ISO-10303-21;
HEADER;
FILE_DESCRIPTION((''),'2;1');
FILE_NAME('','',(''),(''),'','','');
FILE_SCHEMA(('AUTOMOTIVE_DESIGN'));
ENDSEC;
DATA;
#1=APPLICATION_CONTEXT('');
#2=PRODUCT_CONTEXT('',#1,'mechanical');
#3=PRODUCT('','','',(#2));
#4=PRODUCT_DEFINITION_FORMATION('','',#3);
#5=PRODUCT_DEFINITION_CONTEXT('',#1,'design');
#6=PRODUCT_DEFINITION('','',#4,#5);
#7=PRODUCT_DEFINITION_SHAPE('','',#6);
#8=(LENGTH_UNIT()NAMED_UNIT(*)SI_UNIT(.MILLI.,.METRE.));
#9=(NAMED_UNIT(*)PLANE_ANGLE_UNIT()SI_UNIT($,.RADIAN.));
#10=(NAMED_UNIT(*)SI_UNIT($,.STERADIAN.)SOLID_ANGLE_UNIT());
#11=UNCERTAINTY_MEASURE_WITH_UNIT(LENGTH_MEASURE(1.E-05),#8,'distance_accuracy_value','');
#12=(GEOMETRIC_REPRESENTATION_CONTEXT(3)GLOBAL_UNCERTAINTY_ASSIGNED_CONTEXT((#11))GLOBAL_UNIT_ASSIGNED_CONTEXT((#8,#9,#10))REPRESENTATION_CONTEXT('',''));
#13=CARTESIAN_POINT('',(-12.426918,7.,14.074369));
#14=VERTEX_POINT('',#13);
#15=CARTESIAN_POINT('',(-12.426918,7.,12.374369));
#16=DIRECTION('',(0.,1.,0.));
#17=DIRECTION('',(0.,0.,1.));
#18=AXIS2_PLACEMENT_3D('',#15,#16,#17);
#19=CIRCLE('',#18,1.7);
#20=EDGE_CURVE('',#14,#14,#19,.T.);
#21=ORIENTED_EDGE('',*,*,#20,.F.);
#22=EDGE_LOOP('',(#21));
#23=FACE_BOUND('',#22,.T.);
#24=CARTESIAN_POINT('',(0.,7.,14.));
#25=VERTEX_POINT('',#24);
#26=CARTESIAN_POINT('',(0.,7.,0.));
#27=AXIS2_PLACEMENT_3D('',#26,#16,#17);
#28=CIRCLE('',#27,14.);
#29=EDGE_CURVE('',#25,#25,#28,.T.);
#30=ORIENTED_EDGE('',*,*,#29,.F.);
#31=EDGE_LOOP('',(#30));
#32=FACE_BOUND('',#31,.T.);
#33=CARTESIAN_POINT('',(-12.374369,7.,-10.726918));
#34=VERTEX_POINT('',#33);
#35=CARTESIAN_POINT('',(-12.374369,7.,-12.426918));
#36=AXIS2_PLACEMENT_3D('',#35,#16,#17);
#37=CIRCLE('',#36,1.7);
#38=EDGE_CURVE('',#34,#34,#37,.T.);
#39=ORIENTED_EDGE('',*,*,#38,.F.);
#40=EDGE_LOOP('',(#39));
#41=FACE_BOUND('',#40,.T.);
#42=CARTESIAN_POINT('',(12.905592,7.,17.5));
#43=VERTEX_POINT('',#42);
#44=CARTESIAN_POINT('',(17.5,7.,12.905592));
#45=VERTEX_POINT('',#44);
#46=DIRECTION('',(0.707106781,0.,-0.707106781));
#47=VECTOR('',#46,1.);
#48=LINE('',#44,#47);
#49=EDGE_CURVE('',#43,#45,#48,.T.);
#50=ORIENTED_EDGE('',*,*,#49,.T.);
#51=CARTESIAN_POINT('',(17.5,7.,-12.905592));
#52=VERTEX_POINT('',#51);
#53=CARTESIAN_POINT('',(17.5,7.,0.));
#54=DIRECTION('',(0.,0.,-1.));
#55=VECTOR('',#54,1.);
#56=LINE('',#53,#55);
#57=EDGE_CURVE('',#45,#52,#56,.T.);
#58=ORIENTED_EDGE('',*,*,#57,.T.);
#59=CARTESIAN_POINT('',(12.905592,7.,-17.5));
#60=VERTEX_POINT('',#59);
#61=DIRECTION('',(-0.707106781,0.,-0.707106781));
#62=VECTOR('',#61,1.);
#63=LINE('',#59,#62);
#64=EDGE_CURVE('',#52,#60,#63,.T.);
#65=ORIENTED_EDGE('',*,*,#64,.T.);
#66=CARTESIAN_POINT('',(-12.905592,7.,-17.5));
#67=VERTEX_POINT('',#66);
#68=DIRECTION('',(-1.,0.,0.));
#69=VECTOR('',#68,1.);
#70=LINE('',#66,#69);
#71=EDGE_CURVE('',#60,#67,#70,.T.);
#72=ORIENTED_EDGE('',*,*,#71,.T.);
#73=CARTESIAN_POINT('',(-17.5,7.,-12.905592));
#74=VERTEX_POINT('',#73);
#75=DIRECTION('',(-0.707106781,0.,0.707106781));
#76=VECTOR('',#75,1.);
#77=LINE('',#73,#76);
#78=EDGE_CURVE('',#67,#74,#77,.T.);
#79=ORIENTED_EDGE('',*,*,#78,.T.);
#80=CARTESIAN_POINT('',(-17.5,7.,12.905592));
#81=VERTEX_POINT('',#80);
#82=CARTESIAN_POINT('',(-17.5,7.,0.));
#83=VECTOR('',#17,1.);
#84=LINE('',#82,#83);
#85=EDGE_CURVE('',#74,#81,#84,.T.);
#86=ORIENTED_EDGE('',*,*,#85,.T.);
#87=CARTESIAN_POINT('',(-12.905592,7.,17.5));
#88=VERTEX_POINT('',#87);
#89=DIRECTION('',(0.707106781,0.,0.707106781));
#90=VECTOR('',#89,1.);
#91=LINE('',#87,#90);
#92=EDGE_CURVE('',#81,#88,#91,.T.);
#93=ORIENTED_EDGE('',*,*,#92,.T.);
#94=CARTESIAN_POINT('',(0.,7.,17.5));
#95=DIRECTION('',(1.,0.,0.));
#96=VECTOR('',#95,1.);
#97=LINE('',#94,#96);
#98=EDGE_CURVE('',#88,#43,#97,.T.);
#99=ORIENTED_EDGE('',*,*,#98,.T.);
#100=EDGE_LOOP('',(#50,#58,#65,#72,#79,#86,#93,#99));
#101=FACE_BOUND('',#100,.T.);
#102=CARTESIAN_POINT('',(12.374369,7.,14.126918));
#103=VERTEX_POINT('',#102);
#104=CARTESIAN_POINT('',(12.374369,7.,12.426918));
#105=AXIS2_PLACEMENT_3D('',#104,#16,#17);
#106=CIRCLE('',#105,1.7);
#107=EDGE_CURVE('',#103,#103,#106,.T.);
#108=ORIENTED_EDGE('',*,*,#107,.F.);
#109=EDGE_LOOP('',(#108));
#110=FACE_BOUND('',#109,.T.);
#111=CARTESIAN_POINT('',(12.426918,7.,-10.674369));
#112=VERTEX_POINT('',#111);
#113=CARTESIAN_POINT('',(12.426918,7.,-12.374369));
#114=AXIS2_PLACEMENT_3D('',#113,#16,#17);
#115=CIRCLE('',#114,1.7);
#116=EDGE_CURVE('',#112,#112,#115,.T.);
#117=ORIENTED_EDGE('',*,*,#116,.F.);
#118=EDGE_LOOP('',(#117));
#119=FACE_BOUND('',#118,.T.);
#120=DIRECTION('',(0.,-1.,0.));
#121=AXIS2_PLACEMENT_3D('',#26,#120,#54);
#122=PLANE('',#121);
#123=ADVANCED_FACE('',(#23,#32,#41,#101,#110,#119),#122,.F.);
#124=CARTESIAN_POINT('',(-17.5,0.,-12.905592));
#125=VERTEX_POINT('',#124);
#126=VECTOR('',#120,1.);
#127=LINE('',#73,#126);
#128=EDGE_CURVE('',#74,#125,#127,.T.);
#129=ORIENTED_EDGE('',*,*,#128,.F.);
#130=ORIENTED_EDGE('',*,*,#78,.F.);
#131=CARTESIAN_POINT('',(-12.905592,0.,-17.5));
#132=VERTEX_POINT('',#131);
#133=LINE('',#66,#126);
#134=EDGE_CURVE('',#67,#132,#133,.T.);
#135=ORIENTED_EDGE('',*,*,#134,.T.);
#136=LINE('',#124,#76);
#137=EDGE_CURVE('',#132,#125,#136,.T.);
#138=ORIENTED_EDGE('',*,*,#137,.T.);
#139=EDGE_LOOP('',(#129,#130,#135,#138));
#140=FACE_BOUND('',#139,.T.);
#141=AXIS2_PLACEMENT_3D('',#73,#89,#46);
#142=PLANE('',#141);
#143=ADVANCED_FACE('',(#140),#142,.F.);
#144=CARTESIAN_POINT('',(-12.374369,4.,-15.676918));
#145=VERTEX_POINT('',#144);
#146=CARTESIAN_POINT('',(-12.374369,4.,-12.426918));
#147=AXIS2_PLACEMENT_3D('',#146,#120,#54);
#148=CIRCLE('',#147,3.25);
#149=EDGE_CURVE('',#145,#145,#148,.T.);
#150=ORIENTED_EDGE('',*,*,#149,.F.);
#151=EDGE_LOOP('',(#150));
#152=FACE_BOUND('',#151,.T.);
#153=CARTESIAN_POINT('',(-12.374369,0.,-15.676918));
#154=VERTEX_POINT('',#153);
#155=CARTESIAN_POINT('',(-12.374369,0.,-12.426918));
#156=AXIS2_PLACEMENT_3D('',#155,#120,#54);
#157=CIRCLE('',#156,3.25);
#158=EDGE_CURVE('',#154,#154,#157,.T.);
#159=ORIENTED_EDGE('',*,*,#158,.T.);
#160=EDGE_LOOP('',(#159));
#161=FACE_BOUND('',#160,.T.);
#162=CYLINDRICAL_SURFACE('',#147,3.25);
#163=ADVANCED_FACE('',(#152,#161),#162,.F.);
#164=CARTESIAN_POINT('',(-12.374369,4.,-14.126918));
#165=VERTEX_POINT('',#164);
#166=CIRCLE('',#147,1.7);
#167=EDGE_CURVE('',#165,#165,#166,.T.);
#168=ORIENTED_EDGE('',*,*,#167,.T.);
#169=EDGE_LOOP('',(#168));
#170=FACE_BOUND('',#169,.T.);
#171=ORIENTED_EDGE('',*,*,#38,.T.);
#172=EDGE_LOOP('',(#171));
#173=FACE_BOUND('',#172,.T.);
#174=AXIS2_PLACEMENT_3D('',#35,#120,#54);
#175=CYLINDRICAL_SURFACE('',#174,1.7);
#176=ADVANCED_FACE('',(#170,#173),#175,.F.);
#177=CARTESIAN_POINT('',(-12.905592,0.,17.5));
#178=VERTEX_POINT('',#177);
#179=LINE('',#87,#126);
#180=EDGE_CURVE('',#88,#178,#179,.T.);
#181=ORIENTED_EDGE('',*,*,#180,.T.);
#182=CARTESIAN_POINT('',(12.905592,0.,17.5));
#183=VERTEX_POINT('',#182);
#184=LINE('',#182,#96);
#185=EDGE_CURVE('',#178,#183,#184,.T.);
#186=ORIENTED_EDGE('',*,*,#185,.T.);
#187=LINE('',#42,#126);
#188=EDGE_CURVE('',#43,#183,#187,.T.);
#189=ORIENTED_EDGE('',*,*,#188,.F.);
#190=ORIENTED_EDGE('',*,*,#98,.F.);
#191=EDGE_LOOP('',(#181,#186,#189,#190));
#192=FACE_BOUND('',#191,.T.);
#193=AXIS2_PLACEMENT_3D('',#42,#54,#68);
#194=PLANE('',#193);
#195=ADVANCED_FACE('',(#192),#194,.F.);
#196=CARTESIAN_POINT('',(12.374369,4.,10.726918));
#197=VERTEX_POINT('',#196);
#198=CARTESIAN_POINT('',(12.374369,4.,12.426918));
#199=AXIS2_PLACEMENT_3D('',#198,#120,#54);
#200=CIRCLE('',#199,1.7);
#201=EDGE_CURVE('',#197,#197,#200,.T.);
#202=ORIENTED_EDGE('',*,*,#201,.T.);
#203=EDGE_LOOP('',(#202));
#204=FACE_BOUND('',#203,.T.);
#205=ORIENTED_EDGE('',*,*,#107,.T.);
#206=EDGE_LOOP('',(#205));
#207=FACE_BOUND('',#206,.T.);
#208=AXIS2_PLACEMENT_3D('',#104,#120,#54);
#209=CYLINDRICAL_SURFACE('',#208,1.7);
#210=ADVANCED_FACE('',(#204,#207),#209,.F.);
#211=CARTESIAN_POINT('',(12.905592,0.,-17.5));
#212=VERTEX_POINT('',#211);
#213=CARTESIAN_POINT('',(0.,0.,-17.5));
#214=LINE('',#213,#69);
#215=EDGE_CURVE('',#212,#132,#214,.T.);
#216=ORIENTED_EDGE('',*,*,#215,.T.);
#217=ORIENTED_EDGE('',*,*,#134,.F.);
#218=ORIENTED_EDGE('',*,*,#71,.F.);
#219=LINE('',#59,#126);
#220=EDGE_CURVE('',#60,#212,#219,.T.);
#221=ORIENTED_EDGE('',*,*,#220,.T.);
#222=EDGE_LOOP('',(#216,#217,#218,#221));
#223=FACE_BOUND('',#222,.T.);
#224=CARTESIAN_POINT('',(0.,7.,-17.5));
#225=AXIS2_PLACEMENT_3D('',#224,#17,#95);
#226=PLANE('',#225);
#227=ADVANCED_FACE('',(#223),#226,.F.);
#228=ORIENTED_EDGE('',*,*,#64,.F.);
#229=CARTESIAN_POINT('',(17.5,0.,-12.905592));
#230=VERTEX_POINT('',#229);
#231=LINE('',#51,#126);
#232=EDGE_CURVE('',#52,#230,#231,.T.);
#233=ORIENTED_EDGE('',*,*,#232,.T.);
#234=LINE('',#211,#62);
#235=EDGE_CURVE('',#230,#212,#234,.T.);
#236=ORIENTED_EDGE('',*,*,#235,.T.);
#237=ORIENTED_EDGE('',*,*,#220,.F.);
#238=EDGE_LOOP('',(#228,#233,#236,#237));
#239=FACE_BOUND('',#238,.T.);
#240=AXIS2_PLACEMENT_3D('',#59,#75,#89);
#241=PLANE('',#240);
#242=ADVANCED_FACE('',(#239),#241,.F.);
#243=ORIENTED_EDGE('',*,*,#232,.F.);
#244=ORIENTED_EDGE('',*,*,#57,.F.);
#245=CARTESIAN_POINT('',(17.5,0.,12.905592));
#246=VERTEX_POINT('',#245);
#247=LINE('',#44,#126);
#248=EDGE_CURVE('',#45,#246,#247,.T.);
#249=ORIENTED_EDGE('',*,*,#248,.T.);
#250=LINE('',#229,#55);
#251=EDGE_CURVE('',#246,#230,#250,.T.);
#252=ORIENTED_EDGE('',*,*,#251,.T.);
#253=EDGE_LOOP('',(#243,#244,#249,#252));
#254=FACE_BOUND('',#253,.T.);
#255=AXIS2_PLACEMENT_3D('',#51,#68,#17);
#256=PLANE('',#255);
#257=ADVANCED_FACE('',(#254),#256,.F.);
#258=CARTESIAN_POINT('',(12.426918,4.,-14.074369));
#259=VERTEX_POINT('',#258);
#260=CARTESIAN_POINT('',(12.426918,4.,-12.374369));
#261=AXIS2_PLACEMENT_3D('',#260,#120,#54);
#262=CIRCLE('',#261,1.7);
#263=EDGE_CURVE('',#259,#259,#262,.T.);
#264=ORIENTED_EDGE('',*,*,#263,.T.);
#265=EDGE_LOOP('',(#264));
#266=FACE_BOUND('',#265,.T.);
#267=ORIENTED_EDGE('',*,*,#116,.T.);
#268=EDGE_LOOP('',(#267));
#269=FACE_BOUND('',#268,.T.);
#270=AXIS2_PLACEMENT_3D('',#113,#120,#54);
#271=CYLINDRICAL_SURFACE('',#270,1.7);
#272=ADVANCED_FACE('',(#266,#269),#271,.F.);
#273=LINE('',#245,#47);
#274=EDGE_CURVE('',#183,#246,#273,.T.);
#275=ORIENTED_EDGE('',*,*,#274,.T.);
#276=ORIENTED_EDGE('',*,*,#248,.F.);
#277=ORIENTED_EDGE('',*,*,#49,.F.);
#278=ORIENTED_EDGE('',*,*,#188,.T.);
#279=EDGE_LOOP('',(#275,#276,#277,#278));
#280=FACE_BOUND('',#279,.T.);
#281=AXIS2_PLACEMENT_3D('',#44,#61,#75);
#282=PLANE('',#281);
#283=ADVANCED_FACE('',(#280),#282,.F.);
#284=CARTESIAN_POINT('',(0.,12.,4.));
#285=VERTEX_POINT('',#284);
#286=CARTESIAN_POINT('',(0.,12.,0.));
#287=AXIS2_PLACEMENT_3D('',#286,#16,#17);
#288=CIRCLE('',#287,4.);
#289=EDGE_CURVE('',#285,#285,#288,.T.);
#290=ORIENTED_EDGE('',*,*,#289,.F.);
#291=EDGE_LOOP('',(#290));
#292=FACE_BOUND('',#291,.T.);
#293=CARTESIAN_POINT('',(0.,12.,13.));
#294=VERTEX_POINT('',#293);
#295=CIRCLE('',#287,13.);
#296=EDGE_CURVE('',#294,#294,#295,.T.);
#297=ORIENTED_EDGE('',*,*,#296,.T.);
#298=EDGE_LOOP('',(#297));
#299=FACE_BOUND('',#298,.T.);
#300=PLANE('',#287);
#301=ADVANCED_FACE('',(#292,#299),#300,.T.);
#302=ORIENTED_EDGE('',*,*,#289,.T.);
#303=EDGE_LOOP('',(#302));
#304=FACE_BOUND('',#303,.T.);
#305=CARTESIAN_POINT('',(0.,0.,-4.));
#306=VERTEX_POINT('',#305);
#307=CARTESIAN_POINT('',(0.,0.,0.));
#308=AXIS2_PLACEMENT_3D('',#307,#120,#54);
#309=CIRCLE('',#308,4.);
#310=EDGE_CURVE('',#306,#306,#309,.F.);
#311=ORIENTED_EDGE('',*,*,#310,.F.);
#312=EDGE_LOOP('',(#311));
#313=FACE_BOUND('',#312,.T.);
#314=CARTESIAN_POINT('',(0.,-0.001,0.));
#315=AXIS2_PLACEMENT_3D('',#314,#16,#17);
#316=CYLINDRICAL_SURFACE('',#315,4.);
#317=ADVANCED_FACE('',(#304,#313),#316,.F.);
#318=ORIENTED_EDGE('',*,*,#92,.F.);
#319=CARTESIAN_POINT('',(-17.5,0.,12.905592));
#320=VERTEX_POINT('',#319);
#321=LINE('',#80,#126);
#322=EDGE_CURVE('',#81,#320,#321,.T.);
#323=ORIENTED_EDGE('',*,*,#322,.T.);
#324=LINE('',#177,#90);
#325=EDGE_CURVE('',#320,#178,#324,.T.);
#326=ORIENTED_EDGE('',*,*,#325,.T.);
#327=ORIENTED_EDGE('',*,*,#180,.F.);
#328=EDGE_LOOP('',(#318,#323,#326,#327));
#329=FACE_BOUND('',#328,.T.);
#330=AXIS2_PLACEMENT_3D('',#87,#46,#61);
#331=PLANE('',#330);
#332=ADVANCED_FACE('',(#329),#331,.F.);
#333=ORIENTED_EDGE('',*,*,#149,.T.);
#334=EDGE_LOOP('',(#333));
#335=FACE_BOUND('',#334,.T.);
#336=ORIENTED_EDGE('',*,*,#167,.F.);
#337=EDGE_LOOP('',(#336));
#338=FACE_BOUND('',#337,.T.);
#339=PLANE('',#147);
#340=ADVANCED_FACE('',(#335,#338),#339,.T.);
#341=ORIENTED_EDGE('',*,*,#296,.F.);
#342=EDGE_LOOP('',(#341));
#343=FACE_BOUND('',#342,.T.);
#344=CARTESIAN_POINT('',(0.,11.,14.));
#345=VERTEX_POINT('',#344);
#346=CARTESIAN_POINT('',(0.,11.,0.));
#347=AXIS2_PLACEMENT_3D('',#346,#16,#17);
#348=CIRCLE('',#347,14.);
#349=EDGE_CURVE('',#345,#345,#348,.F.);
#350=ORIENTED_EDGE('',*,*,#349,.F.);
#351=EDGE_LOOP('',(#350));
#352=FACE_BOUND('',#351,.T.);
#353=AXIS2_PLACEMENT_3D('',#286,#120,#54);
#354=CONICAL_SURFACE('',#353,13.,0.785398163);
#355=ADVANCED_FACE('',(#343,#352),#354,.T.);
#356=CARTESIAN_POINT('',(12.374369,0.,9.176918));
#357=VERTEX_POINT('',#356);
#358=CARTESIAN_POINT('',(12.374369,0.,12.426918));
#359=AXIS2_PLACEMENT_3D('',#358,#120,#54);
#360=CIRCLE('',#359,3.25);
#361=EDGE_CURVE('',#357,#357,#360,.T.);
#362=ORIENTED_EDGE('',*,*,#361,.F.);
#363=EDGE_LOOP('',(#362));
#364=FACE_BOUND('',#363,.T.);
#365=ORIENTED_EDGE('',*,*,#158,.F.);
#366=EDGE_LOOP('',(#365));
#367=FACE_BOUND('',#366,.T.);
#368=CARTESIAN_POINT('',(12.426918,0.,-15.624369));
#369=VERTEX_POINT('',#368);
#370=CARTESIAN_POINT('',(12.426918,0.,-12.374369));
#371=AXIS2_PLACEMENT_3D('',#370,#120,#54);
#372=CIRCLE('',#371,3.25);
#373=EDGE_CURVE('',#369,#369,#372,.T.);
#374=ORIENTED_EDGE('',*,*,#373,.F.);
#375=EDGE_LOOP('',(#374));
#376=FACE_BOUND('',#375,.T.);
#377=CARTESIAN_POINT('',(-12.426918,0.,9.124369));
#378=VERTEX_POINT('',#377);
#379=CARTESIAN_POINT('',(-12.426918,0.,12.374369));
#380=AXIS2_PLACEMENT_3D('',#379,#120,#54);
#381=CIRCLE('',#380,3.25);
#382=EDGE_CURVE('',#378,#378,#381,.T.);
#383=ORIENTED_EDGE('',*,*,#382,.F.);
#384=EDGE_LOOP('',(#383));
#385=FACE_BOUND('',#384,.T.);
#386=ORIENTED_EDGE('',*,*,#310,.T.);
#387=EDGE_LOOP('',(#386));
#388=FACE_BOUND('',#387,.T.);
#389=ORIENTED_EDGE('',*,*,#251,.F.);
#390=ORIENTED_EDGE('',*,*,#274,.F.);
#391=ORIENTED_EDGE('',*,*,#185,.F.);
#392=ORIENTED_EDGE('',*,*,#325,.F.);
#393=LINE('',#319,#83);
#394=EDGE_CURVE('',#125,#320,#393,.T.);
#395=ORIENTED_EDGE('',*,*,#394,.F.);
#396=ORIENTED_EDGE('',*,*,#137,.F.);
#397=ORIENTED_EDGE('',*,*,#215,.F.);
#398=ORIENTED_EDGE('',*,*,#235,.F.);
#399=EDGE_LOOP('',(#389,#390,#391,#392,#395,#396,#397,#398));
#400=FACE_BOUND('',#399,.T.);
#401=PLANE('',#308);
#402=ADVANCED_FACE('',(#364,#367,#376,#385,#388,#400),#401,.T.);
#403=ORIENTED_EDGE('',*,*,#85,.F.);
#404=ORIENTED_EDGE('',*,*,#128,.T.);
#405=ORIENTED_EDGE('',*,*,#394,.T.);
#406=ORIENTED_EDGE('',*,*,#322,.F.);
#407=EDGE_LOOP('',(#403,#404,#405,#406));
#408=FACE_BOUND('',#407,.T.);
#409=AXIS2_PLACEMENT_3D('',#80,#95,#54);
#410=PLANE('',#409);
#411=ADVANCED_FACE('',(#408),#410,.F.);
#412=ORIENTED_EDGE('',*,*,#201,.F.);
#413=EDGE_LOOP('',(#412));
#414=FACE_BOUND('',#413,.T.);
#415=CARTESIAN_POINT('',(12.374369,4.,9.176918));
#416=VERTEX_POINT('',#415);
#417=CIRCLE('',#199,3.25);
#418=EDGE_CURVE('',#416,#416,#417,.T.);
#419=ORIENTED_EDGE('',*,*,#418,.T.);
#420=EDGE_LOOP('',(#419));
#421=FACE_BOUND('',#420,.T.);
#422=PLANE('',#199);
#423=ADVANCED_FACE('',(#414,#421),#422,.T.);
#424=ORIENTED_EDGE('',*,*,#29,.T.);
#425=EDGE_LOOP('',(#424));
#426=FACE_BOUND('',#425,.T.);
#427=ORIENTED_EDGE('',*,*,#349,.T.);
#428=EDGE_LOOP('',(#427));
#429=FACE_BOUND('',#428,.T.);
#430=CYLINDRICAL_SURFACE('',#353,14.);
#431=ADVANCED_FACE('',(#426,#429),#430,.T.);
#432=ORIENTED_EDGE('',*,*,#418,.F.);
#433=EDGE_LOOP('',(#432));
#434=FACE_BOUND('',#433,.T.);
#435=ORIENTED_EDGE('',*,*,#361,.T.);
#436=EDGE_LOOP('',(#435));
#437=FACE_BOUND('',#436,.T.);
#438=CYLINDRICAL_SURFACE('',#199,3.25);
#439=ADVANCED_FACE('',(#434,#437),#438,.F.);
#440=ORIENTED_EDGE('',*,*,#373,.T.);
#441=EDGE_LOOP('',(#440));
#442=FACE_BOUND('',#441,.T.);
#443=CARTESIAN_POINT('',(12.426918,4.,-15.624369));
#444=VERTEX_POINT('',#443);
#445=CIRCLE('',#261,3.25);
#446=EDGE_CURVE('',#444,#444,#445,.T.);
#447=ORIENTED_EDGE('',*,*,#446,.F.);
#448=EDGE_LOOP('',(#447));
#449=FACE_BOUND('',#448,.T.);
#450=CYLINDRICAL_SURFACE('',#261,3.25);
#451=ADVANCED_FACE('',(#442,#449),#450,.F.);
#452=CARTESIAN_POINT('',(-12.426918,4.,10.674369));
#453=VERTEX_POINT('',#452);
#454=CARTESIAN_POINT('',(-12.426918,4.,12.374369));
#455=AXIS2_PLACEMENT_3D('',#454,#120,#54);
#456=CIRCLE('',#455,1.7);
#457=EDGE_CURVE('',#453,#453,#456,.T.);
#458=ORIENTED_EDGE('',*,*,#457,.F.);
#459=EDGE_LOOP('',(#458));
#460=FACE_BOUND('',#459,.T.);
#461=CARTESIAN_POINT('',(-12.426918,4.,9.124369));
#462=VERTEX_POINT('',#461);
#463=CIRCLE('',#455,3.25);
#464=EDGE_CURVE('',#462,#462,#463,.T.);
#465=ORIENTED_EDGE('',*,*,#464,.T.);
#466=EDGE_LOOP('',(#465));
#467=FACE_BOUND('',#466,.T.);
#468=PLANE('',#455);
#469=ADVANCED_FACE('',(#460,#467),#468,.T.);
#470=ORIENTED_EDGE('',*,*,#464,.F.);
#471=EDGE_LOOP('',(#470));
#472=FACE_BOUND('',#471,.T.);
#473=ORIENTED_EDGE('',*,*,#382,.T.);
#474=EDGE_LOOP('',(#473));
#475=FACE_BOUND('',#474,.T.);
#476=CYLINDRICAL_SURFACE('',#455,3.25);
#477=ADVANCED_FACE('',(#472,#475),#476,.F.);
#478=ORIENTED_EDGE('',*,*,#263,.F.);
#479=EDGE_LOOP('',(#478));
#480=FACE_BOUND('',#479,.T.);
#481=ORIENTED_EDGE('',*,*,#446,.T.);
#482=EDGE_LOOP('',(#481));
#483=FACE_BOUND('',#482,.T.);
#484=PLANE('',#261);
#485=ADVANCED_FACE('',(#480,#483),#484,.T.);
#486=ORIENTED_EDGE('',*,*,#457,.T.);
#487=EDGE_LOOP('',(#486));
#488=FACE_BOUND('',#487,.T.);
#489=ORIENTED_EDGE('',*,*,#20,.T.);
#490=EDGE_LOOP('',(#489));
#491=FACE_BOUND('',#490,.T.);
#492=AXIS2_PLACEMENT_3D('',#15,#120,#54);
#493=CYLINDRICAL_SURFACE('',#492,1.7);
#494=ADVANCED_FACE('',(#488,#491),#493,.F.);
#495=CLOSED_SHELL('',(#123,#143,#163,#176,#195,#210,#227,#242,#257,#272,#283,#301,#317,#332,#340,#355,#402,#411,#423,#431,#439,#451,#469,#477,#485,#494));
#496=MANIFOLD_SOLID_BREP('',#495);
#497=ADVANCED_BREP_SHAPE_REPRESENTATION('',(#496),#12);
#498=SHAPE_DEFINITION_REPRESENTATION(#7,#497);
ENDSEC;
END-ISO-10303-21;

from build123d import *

# Parameters (mm, degrees)
SKETCH_1_R          = 1.7
EXTRUDE_1_DEPTH     = 7
SKETCH_2_R          = 14
EXTRUDE_2_DEPTH     = 5
CUT_EXTRUDE_1_REACH = 29.505
SKETCH_3_R          = 4
SKETCH_4_R          = 3.25
CUT_EXTRUDE_2_DEPTH = 4
CHAMFER_1_SIZE      = 1


with BuildPart() as part:
    # 草图1 → 凸台-拉伸1 (new body)
    with BuildSketch(Plane(origin=(0, 0, 0), x_dir=(1, 0, 0), z_dir=(0, 1, 0))):
        Polygon((0, 17.5), (12.905591591, 17.5), (17.5, 12.905591591), (17.5, 0), (17.5, -12.905591591), (12.905591591, -17.5), (0, -17.5), (-12.905591591, -17.5), (-17.5, -12.905591591), (-17.5, 0), (-17.5, 12.905591591), (-12.905591591, 17.5), align=None)
        with Locations(Location((12.426918465, 12.374368671, 0), (0, 0, 270))):
            Circle(SKETCH_1_R, mode=Mode.SUBTRACT)
        with Locations(Location((12.374368671, -12.426918465, 0), (0, 0, 270))):
            Circle(SKETCH_1_R, mode=Mode.SUBTRACT)
        with Locations(Location((-12.426918465, -12.374368671, 0), (0, 0, 270))):
            Circle(SKETCH_1_R, mode=Mode.SUBTRACT)
        with Locations(Location((-12.374368671, 12.426918465, 0), (0, 0, 270))):
            Circle(SKETCH_1_R, mode=Mode.SUBTRACT)
    extrude(amount=EXTRUDE_1_DEPTH)

    # 草图2 → 凸台-拉伸2 (add)
    with BuildSketch(Plane(origin=(0, 7, 0), x_dir=(1, 0, 0), z_dir=(0, 1, 0))):
        with Locations(Location((0, 0, 0), (0, 0, 270))):
            Circle(SKETCH_2_R)
    extrude(amount=EXTRUDE_2_DEPTH)

    # 草图3 → 切除-拉伸1 (cut, up to next)
    with BuildSketch(Plane(origin=(0, 12, 0), x_dir=(1, 0, 0), z_dir=(0, 1, 0)), mode=Mode.PRIVATE) as cut_extrude_1_sk1:
        with Locations(Location((0, 0, 0), (0, 0, 270))):
            Circle(SKETCH_3_R)
    cut_extrude_1_tool1 = extrude(cut_extrude_1_sk1.sketch, amount=-CUT_EXTRUDE_1_REACH, mode=Mode.PRIVATE) & part.part
    add(cut_extrude_1_tool1.solids().sort_by_distance((0, 12, 0))[0], mode=Mode.SUBTRACT)

    # 草图4 → 切除-拉伸2 (cut)
    with BuildSketch(Plane.XZ):
        with Locations(Location((-12.426918465, 12.374368671, 0), (0, 0, 270))):
            Circle(SKETCH_4_R)
        with Locations(Location((12.374368671, 12.426918465, 0), (0, 0, 270))):
            Circle(SKETCH_4_R)
        with Locations(Location((12.426918465, -12.374368671, 0), (0, 0, 270))):
            Circle(SKETCH_4_R)
        with Locations(Location((-12.374368671, -12.426918465, 0), (0, 0, 270))):
            Circle(SKETCH_4_R)
    extrude(amount=-CUT_EXTRUDE_2_DEPTH, mode=Mode.SUBTRACT)

    # 倒角1
    chamfer_1_edges = [part.edges().sort_by_distance(p)[0] for p in [
        (0, 12, -14),
    ]]
    chamfer(chamfer_1_edges, length=CHAMFER_1_SIZE)


solid = part.part
